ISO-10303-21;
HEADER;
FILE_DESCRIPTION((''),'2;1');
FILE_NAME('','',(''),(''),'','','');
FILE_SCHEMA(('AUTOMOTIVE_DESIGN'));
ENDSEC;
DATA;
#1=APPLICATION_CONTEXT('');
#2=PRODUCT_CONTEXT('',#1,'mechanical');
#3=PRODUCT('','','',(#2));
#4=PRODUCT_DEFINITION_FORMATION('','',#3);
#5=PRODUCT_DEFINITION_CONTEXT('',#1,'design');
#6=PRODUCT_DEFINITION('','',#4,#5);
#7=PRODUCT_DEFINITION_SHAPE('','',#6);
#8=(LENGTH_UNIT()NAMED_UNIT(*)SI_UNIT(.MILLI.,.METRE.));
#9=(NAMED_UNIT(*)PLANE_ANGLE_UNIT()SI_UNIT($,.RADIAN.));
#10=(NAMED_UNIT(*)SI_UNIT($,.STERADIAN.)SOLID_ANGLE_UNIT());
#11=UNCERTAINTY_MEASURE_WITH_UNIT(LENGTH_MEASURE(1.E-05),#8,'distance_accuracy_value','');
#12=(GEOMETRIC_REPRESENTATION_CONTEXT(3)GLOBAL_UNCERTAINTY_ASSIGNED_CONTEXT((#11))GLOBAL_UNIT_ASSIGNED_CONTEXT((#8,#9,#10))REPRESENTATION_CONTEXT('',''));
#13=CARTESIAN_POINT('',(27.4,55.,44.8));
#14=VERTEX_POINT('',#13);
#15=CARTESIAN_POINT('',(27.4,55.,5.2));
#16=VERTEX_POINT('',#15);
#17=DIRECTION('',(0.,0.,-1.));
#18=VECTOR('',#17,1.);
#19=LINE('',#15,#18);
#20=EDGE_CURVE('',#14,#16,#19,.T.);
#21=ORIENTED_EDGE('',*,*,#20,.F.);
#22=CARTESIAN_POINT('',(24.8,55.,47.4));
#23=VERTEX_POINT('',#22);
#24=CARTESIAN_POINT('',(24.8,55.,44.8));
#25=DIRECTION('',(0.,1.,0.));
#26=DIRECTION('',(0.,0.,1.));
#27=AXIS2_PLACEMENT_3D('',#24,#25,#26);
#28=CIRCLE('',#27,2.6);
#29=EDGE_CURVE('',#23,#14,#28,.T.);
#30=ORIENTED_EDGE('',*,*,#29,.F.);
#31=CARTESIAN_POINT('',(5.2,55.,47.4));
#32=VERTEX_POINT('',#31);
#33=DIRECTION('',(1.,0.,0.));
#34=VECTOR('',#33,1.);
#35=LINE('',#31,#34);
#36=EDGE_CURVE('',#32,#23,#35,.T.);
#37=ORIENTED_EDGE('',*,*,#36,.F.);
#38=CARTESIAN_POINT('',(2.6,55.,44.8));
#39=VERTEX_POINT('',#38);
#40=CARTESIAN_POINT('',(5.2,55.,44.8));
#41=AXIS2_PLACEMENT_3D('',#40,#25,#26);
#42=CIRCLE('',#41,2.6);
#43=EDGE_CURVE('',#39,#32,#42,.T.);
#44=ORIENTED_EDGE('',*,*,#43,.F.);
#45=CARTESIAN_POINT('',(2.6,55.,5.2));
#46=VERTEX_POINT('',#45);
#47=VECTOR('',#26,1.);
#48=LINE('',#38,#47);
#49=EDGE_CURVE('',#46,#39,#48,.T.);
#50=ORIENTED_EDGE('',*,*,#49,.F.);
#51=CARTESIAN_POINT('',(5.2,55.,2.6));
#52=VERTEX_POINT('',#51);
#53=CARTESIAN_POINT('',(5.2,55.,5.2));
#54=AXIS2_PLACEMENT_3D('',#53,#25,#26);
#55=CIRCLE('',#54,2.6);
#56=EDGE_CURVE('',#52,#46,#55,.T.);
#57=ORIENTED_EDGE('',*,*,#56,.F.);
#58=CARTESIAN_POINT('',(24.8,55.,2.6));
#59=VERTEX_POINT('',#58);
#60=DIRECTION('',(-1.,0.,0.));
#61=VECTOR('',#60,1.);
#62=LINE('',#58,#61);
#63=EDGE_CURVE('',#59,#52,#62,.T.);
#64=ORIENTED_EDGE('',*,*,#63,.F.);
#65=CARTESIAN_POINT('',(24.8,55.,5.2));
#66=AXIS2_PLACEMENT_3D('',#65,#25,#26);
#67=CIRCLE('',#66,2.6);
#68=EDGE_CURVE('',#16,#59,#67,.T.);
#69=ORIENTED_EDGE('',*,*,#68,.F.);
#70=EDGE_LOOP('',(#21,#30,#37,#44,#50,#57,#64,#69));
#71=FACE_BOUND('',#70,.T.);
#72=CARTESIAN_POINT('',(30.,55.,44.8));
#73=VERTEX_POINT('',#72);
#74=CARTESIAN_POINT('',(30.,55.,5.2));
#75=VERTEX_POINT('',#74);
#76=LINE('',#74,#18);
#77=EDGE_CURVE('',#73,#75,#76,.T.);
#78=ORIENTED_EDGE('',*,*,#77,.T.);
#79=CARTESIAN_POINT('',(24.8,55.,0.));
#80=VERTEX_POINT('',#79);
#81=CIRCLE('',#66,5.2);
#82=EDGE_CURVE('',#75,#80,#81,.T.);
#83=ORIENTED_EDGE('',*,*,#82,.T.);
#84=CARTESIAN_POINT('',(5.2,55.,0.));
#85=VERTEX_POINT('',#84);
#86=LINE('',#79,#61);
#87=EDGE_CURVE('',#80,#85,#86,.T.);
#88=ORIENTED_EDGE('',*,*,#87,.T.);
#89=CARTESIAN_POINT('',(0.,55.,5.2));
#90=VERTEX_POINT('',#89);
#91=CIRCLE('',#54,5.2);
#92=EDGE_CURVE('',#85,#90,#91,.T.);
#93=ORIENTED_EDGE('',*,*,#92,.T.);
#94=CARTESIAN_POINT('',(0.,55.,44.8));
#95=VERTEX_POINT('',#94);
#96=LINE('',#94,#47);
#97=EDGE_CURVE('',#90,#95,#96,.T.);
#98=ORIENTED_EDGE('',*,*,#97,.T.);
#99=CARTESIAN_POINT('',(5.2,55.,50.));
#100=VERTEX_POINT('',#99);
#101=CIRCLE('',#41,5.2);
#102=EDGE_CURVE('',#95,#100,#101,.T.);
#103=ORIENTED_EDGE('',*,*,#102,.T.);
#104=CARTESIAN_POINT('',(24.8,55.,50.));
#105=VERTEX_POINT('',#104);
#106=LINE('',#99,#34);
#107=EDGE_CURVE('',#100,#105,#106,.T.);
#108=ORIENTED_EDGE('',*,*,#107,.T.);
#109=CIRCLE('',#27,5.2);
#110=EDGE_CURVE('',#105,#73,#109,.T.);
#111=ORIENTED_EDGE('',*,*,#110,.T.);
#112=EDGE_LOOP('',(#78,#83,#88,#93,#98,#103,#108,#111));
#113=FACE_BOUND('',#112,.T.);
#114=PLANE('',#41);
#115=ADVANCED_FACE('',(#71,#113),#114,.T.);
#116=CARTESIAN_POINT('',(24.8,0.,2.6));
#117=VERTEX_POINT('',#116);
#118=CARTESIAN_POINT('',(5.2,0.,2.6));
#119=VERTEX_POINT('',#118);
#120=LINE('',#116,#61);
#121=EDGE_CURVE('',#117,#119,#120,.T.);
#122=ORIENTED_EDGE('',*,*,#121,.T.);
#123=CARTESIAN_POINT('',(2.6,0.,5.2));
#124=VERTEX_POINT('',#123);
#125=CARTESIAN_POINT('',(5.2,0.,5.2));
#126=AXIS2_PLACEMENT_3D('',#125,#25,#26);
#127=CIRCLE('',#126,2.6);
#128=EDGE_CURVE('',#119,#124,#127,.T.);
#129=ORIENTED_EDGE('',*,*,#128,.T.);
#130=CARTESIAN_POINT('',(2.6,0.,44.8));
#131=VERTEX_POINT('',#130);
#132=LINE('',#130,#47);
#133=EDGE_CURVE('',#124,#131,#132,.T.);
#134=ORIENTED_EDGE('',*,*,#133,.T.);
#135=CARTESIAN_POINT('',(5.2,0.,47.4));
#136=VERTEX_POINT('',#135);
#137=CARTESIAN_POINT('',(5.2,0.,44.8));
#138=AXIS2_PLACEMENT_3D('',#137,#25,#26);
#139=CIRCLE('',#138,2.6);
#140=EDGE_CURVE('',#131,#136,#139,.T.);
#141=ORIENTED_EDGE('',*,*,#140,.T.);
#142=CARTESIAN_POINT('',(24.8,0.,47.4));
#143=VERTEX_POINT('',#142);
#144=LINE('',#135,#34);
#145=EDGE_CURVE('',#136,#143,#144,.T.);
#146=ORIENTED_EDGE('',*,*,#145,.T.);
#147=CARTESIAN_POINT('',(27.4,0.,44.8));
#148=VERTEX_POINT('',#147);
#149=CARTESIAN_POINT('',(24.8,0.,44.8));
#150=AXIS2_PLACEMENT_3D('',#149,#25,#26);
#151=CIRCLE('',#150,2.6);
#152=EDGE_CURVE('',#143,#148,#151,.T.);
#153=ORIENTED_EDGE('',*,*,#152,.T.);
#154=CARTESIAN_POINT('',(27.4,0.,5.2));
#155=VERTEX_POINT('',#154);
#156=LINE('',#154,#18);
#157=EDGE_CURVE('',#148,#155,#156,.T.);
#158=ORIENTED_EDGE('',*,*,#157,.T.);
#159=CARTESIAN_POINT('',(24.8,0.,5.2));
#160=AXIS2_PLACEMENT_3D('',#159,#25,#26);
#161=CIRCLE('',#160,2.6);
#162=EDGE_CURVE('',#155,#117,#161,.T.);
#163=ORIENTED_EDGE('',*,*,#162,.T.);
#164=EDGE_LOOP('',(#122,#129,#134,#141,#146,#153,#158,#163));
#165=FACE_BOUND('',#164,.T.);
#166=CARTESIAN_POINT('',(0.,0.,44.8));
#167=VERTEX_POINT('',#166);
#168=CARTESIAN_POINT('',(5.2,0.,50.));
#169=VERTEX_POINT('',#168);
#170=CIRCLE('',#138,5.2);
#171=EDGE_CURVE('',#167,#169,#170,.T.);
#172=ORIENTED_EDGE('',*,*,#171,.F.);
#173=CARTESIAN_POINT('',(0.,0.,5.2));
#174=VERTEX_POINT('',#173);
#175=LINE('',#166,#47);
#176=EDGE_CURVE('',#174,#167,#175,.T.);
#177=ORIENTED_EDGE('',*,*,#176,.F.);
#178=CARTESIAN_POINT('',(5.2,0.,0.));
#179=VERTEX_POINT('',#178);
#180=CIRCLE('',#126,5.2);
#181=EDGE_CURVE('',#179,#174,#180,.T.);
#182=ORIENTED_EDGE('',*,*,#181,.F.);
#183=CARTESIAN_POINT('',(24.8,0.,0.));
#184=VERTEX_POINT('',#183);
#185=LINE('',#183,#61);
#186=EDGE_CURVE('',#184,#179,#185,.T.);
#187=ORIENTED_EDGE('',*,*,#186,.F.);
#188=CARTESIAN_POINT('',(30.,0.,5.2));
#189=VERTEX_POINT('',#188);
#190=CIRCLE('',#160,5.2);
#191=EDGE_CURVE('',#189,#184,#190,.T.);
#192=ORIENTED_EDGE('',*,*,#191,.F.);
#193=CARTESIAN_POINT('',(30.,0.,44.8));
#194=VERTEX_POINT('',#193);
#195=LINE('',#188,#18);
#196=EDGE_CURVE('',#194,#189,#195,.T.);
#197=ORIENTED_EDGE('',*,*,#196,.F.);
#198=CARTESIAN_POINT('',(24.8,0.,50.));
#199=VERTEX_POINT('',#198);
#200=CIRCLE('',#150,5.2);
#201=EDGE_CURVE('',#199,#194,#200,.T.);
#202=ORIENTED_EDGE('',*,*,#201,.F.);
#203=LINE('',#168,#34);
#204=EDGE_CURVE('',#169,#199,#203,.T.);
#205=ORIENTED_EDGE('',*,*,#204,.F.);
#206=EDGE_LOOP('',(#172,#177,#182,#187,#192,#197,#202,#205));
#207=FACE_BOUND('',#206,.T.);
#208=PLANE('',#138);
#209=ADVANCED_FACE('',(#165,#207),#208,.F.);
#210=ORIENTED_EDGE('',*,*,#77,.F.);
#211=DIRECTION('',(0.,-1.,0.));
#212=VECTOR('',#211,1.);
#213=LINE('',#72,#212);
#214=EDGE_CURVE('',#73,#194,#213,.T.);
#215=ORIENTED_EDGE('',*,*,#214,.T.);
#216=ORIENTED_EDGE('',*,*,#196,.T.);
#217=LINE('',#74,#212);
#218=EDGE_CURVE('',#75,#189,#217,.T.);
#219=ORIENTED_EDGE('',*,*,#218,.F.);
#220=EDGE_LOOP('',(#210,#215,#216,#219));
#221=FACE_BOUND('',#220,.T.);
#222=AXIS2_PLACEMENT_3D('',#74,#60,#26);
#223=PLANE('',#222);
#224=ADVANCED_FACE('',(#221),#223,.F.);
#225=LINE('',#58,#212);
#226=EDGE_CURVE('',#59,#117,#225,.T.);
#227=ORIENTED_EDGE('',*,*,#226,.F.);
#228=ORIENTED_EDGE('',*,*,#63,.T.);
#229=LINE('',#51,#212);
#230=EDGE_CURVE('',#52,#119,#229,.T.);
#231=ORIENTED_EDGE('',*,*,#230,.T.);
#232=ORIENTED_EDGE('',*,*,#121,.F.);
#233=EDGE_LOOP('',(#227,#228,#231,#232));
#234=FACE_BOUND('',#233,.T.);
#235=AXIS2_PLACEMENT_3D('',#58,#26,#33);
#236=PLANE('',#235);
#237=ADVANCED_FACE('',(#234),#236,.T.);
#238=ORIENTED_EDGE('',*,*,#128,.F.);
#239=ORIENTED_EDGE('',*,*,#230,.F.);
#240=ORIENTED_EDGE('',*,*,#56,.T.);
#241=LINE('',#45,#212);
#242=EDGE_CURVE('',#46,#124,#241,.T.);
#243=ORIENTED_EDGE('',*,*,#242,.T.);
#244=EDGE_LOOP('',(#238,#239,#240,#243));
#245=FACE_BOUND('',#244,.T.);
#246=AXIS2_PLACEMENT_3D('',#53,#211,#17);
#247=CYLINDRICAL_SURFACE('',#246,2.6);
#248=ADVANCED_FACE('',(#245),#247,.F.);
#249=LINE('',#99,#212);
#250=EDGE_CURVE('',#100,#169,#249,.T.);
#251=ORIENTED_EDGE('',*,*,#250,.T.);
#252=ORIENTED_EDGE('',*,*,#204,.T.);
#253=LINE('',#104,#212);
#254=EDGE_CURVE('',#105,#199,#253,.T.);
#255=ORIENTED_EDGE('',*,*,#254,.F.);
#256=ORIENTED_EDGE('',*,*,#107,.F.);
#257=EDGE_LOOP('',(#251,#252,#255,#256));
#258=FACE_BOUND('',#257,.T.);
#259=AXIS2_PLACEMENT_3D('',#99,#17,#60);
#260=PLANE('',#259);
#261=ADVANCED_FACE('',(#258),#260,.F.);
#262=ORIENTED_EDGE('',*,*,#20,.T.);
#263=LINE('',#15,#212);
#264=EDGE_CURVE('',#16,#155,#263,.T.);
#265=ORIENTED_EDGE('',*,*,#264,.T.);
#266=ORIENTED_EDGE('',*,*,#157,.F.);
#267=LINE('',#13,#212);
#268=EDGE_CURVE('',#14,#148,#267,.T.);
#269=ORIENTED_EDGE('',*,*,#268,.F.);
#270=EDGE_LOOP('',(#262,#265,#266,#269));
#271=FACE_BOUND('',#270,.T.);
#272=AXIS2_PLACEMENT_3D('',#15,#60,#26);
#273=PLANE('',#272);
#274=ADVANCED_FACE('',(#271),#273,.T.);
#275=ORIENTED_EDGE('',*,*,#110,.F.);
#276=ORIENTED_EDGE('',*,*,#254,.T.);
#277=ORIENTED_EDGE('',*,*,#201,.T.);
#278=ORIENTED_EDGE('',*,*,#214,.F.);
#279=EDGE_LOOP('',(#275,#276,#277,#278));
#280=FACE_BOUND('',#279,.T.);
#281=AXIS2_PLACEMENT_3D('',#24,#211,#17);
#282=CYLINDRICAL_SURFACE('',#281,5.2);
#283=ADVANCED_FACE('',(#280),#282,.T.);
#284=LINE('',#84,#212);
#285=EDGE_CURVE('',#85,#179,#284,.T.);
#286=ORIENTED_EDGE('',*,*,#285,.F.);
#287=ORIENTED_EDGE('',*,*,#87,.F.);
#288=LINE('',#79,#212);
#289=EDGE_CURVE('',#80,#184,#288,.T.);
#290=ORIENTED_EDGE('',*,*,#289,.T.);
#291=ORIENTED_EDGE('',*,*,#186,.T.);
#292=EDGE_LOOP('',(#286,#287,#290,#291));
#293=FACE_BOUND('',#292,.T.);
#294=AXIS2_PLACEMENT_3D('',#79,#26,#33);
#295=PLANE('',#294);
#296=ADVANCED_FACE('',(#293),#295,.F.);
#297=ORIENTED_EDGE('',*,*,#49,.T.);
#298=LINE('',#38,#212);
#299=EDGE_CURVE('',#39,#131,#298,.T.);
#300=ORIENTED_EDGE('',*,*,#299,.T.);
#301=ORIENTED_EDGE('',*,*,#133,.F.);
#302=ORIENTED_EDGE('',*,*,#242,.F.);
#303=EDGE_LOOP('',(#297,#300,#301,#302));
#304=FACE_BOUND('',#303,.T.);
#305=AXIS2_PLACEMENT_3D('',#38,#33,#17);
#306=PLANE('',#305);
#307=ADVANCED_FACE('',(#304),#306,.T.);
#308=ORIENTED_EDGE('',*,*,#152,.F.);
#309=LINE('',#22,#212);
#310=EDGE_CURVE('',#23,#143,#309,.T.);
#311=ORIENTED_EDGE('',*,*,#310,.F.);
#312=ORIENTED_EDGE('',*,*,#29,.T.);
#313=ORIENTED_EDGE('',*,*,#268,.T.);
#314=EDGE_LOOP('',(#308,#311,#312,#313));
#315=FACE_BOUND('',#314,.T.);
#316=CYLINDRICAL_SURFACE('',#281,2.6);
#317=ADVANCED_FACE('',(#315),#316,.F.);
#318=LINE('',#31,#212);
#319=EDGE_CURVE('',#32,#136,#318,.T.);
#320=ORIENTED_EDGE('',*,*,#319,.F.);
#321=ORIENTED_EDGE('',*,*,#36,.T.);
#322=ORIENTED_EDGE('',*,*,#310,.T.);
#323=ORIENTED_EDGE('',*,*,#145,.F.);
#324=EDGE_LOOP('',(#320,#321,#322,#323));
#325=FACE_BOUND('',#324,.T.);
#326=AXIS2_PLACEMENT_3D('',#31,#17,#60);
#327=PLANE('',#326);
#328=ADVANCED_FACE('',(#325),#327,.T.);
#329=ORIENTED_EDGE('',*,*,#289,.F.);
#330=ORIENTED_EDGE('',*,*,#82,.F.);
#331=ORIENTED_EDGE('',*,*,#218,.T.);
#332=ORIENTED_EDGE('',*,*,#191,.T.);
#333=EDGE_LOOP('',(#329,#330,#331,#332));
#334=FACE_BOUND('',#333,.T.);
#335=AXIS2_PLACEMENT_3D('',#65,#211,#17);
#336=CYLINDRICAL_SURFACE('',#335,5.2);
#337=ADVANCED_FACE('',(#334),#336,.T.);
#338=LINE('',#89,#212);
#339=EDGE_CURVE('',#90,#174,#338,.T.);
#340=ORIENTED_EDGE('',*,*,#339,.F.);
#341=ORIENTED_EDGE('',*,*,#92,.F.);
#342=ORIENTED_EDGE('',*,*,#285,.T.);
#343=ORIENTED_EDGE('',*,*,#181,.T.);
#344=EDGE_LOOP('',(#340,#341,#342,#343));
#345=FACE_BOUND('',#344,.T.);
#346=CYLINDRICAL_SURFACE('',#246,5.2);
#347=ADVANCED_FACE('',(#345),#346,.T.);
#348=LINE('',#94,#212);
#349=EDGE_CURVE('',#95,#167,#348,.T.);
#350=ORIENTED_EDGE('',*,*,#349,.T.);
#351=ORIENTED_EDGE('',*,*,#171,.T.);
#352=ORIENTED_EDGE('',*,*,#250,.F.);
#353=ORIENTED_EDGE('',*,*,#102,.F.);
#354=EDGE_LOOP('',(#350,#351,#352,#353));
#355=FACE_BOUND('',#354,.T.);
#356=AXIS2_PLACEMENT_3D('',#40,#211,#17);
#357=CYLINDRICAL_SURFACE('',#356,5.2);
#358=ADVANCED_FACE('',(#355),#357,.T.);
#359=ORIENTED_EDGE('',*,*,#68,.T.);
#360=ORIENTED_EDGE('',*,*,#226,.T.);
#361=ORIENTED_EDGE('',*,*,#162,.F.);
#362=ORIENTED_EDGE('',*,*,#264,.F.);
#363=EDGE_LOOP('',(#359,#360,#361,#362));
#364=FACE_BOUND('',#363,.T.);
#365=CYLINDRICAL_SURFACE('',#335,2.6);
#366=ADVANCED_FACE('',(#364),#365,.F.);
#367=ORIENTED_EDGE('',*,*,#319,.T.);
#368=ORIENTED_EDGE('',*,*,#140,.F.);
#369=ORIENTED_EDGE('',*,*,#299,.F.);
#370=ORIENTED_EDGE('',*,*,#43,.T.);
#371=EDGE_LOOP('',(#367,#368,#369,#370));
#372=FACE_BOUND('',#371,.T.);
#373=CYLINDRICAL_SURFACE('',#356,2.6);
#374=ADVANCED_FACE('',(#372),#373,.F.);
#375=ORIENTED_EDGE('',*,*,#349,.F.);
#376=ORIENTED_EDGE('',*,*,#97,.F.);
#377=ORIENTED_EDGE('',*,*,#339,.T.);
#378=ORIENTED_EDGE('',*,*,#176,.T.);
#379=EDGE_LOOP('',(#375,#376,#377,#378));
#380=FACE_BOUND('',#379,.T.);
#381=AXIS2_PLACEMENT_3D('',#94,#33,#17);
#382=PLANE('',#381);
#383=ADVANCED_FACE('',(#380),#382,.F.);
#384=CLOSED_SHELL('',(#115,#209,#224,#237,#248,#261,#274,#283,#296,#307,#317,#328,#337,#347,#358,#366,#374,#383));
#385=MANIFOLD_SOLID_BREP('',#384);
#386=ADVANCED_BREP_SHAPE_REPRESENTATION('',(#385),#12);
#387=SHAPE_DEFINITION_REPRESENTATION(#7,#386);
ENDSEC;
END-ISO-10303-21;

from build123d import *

# Parameters (mm, degrees)
RECTANGULAR_TUBE_50_X_30_X_2_6_1_DEPTH = 55


with BuildPart() as part:
    # Sketch11 → Rectangular tube 50 X 30 X 2.6_1 (new body)
    with BuildSketch(Plane(origin=(15, 0, 25), x_dir=(-1, 0, 0), z_dir=(0, 1, 0))):
        with BuildLine():
            Line((-9.8, -25), (9.8, -25))
            ThreePointArc((9.8, -25), (13.476955262, -23.476955262), (15, -19.8))
            Line((15, -19.8), (15, 19.8))
            ThreePointArc((15, 19.8), (13.476955262, 23.476955262), (9.8, 25))
            Line((9.8, 25), (-9.8, 25))
            ThreePointArc((-9.8, 25), (-13.476955262, 23.476955262), (-15, 19.8))
            Line((-15, 19.8), (-15, -19.8))
            ThreePointArc((-15, -19.8), (-13.476955262, -23.476955262), (-9.8, -25))
        make_face()
        with BuildLine():
            Line((-9.8, -22.4), (9.8, -22.4))
            ThreePointArc((9.8, -22.4), (11.638477631, -21.638477631), (12.4, -19.8))
            Line((12.4, -19.8), (12.4, 19.8))
            ThreePointArc((12.4, 19.8), (11.638477631, 21.638477631), (9.8, 22.4))
            Line((9.8, 22.4), (-9.8, 22.4))
            ThreePointArc((-9.8, 22.4), (-11.638477631, 21.638477631), (-12.4, 19.8))
            Line((-12.4, 19.8), (-12.4, -19.8))
            ThreePointArc((-12.4, -19.8), (-11.638477631, -21.638477631), (-9.8, -22.4))
        make_face(mode=Mode.SUBTRACT)
    extrude(amount=RECTANGULAR_TUBE_50_X_30_X_2_6_1_DEPTH)


solid = part.part
